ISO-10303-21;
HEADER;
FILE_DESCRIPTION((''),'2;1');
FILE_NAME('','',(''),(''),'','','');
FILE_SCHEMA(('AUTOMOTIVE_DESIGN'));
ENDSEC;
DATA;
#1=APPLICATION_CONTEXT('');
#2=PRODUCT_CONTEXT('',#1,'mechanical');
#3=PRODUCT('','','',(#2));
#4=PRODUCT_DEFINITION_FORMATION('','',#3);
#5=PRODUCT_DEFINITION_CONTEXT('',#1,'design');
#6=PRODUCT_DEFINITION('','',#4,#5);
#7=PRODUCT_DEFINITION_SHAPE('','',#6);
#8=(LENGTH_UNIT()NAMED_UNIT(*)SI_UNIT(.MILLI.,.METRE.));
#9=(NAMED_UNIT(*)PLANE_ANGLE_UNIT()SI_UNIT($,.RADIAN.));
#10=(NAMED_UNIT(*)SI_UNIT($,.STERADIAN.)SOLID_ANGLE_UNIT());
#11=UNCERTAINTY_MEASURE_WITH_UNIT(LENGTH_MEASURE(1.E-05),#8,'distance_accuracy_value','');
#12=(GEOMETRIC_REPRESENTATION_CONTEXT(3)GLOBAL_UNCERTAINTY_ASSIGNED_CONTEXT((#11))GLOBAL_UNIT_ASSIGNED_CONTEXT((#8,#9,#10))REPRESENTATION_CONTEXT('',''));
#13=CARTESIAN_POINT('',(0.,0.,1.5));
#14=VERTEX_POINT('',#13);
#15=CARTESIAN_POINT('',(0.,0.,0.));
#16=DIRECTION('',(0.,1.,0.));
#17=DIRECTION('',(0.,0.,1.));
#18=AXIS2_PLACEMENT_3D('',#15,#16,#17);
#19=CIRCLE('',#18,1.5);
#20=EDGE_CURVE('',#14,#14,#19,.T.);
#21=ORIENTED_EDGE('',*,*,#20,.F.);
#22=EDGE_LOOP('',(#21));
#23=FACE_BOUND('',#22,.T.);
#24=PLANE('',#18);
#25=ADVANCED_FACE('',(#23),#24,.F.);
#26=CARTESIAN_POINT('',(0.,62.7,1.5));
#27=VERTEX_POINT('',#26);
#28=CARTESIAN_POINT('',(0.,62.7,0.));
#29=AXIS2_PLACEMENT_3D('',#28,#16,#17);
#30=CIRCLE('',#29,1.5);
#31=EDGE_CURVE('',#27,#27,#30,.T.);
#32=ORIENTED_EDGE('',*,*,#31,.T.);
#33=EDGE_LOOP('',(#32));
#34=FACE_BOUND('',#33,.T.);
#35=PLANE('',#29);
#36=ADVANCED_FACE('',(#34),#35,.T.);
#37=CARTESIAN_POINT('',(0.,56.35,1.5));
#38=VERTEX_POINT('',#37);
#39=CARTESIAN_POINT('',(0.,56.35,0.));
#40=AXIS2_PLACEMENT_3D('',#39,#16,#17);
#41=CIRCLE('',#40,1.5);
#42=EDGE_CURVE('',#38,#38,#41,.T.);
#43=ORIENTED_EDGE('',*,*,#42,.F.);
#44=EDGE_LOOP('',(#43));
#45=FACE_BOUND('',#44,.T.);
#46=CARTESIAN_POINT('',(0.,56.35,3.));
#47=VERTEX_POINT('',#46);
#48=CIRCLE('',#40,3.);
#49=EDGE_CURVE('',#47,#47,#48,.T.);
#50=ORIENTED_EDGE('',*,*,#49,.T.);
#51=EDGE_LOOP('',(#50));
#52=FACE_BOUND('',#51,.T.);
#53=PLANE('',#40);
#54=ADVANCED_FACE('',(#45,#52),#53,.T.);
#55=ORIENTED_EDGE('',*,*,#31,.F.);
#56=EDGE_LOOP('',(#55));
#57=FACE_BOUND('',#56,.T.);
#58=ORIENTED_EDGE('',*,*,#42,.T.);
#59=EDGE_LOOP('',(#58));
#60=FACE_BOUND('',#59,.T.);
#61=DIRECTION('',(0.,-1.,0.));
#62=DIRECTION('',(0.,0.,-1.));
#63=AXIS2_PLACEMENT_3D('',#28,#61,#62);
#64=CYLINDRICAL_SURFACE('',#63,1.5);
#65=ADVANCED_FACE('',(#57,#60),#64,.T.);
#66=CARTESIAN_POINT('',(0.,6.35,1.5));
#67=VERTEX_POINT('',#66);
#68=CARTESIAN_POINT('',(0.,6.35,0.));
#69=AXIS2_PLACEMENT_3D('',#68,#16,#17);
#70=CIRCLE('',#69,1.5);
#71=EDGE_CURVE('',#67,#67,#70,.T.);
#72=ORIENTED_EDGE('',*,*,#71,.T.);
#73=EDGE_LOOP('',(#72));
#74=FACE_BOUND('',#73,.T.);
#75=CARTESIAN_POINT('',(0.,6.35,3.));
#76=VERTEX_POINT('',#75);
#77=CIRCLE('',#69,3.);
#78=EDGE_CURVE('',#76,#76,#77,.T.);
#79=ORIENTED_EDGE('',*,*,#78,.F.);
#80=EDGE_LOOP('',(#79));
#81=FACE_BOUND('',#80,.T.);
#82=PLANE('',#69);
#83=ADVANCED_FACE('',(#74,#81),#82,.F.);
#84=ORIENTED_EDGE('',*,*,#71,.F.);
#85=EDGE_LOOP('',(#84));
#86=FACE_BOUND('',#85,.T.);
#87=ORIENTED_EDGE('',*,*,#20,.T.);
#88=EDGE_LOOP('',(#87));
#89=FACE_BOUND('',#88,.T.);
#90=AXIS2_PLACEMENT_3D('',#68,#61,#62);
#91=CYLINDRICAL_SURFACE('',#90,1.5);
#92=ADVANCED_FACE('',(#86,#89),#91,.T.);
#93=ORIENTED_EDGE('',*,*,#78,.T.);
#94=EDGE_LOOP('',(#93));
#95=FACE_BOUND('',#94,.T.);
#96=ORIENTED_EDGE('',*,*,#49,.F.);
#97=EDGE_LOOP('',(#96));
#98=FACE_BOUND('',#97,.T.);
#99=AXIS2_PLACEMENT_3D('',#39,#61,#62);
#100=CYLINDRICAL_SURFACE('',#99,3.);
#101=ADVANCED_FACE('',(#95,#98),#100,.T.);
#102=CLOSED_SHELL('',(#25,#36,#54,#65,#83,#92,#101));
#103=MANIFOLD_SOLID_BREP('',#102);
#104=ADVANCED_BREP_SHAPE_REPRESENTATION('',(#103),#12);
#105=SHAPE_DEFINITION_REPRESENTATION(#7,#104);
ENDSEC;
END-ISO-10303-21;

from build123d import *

# Parameters (mm, degrees)
SKETCH1_R           = 1.5
BOSS_EXTRUDE1_DEPTH = 6.35
SKETCH2_R           = 3
BOSS_EXTRUDE2_DEPTH = 50
SKETCH3_R           = 1.5
BOSS_EXTRUDE3_DEPTH = 6.35


with BuildPart() as part:
    # Sketch1 → Boss-Extrude1 (new body)
    with BuildSketch(Plane(origin=(0, 0, 0), x_dir=(1, 0, 0), z_dir=(0, 1, 0))):
        Circle(SKETCH1_R)
    extrude(amount=BOSS_EXTRUDE1_DEPTH)

    # Sketch2 → Boss-Extrude2 (add)
    with BuildSketch(Plane(origin=(0, 6.35, 0), x_dir=(1, 0, 0), z_dir=(0, 1, 0))):
        Circle(SKETCH2_R)
    extrude(amount=BOSS_EXTRUDE2_DEPTH)

    # Sketch3 → Boss-Extrude3 (add)
    with BuildSketch(Plane(origin=(0, 56.35, 0), x_dir=(1, 0, 0), z_dir=(0, 1, 0))):
        Circle(SKETCH3_R)
    extrude(amount=BOSS_EXTRUDE3_DEPTH)


solid = part.part
